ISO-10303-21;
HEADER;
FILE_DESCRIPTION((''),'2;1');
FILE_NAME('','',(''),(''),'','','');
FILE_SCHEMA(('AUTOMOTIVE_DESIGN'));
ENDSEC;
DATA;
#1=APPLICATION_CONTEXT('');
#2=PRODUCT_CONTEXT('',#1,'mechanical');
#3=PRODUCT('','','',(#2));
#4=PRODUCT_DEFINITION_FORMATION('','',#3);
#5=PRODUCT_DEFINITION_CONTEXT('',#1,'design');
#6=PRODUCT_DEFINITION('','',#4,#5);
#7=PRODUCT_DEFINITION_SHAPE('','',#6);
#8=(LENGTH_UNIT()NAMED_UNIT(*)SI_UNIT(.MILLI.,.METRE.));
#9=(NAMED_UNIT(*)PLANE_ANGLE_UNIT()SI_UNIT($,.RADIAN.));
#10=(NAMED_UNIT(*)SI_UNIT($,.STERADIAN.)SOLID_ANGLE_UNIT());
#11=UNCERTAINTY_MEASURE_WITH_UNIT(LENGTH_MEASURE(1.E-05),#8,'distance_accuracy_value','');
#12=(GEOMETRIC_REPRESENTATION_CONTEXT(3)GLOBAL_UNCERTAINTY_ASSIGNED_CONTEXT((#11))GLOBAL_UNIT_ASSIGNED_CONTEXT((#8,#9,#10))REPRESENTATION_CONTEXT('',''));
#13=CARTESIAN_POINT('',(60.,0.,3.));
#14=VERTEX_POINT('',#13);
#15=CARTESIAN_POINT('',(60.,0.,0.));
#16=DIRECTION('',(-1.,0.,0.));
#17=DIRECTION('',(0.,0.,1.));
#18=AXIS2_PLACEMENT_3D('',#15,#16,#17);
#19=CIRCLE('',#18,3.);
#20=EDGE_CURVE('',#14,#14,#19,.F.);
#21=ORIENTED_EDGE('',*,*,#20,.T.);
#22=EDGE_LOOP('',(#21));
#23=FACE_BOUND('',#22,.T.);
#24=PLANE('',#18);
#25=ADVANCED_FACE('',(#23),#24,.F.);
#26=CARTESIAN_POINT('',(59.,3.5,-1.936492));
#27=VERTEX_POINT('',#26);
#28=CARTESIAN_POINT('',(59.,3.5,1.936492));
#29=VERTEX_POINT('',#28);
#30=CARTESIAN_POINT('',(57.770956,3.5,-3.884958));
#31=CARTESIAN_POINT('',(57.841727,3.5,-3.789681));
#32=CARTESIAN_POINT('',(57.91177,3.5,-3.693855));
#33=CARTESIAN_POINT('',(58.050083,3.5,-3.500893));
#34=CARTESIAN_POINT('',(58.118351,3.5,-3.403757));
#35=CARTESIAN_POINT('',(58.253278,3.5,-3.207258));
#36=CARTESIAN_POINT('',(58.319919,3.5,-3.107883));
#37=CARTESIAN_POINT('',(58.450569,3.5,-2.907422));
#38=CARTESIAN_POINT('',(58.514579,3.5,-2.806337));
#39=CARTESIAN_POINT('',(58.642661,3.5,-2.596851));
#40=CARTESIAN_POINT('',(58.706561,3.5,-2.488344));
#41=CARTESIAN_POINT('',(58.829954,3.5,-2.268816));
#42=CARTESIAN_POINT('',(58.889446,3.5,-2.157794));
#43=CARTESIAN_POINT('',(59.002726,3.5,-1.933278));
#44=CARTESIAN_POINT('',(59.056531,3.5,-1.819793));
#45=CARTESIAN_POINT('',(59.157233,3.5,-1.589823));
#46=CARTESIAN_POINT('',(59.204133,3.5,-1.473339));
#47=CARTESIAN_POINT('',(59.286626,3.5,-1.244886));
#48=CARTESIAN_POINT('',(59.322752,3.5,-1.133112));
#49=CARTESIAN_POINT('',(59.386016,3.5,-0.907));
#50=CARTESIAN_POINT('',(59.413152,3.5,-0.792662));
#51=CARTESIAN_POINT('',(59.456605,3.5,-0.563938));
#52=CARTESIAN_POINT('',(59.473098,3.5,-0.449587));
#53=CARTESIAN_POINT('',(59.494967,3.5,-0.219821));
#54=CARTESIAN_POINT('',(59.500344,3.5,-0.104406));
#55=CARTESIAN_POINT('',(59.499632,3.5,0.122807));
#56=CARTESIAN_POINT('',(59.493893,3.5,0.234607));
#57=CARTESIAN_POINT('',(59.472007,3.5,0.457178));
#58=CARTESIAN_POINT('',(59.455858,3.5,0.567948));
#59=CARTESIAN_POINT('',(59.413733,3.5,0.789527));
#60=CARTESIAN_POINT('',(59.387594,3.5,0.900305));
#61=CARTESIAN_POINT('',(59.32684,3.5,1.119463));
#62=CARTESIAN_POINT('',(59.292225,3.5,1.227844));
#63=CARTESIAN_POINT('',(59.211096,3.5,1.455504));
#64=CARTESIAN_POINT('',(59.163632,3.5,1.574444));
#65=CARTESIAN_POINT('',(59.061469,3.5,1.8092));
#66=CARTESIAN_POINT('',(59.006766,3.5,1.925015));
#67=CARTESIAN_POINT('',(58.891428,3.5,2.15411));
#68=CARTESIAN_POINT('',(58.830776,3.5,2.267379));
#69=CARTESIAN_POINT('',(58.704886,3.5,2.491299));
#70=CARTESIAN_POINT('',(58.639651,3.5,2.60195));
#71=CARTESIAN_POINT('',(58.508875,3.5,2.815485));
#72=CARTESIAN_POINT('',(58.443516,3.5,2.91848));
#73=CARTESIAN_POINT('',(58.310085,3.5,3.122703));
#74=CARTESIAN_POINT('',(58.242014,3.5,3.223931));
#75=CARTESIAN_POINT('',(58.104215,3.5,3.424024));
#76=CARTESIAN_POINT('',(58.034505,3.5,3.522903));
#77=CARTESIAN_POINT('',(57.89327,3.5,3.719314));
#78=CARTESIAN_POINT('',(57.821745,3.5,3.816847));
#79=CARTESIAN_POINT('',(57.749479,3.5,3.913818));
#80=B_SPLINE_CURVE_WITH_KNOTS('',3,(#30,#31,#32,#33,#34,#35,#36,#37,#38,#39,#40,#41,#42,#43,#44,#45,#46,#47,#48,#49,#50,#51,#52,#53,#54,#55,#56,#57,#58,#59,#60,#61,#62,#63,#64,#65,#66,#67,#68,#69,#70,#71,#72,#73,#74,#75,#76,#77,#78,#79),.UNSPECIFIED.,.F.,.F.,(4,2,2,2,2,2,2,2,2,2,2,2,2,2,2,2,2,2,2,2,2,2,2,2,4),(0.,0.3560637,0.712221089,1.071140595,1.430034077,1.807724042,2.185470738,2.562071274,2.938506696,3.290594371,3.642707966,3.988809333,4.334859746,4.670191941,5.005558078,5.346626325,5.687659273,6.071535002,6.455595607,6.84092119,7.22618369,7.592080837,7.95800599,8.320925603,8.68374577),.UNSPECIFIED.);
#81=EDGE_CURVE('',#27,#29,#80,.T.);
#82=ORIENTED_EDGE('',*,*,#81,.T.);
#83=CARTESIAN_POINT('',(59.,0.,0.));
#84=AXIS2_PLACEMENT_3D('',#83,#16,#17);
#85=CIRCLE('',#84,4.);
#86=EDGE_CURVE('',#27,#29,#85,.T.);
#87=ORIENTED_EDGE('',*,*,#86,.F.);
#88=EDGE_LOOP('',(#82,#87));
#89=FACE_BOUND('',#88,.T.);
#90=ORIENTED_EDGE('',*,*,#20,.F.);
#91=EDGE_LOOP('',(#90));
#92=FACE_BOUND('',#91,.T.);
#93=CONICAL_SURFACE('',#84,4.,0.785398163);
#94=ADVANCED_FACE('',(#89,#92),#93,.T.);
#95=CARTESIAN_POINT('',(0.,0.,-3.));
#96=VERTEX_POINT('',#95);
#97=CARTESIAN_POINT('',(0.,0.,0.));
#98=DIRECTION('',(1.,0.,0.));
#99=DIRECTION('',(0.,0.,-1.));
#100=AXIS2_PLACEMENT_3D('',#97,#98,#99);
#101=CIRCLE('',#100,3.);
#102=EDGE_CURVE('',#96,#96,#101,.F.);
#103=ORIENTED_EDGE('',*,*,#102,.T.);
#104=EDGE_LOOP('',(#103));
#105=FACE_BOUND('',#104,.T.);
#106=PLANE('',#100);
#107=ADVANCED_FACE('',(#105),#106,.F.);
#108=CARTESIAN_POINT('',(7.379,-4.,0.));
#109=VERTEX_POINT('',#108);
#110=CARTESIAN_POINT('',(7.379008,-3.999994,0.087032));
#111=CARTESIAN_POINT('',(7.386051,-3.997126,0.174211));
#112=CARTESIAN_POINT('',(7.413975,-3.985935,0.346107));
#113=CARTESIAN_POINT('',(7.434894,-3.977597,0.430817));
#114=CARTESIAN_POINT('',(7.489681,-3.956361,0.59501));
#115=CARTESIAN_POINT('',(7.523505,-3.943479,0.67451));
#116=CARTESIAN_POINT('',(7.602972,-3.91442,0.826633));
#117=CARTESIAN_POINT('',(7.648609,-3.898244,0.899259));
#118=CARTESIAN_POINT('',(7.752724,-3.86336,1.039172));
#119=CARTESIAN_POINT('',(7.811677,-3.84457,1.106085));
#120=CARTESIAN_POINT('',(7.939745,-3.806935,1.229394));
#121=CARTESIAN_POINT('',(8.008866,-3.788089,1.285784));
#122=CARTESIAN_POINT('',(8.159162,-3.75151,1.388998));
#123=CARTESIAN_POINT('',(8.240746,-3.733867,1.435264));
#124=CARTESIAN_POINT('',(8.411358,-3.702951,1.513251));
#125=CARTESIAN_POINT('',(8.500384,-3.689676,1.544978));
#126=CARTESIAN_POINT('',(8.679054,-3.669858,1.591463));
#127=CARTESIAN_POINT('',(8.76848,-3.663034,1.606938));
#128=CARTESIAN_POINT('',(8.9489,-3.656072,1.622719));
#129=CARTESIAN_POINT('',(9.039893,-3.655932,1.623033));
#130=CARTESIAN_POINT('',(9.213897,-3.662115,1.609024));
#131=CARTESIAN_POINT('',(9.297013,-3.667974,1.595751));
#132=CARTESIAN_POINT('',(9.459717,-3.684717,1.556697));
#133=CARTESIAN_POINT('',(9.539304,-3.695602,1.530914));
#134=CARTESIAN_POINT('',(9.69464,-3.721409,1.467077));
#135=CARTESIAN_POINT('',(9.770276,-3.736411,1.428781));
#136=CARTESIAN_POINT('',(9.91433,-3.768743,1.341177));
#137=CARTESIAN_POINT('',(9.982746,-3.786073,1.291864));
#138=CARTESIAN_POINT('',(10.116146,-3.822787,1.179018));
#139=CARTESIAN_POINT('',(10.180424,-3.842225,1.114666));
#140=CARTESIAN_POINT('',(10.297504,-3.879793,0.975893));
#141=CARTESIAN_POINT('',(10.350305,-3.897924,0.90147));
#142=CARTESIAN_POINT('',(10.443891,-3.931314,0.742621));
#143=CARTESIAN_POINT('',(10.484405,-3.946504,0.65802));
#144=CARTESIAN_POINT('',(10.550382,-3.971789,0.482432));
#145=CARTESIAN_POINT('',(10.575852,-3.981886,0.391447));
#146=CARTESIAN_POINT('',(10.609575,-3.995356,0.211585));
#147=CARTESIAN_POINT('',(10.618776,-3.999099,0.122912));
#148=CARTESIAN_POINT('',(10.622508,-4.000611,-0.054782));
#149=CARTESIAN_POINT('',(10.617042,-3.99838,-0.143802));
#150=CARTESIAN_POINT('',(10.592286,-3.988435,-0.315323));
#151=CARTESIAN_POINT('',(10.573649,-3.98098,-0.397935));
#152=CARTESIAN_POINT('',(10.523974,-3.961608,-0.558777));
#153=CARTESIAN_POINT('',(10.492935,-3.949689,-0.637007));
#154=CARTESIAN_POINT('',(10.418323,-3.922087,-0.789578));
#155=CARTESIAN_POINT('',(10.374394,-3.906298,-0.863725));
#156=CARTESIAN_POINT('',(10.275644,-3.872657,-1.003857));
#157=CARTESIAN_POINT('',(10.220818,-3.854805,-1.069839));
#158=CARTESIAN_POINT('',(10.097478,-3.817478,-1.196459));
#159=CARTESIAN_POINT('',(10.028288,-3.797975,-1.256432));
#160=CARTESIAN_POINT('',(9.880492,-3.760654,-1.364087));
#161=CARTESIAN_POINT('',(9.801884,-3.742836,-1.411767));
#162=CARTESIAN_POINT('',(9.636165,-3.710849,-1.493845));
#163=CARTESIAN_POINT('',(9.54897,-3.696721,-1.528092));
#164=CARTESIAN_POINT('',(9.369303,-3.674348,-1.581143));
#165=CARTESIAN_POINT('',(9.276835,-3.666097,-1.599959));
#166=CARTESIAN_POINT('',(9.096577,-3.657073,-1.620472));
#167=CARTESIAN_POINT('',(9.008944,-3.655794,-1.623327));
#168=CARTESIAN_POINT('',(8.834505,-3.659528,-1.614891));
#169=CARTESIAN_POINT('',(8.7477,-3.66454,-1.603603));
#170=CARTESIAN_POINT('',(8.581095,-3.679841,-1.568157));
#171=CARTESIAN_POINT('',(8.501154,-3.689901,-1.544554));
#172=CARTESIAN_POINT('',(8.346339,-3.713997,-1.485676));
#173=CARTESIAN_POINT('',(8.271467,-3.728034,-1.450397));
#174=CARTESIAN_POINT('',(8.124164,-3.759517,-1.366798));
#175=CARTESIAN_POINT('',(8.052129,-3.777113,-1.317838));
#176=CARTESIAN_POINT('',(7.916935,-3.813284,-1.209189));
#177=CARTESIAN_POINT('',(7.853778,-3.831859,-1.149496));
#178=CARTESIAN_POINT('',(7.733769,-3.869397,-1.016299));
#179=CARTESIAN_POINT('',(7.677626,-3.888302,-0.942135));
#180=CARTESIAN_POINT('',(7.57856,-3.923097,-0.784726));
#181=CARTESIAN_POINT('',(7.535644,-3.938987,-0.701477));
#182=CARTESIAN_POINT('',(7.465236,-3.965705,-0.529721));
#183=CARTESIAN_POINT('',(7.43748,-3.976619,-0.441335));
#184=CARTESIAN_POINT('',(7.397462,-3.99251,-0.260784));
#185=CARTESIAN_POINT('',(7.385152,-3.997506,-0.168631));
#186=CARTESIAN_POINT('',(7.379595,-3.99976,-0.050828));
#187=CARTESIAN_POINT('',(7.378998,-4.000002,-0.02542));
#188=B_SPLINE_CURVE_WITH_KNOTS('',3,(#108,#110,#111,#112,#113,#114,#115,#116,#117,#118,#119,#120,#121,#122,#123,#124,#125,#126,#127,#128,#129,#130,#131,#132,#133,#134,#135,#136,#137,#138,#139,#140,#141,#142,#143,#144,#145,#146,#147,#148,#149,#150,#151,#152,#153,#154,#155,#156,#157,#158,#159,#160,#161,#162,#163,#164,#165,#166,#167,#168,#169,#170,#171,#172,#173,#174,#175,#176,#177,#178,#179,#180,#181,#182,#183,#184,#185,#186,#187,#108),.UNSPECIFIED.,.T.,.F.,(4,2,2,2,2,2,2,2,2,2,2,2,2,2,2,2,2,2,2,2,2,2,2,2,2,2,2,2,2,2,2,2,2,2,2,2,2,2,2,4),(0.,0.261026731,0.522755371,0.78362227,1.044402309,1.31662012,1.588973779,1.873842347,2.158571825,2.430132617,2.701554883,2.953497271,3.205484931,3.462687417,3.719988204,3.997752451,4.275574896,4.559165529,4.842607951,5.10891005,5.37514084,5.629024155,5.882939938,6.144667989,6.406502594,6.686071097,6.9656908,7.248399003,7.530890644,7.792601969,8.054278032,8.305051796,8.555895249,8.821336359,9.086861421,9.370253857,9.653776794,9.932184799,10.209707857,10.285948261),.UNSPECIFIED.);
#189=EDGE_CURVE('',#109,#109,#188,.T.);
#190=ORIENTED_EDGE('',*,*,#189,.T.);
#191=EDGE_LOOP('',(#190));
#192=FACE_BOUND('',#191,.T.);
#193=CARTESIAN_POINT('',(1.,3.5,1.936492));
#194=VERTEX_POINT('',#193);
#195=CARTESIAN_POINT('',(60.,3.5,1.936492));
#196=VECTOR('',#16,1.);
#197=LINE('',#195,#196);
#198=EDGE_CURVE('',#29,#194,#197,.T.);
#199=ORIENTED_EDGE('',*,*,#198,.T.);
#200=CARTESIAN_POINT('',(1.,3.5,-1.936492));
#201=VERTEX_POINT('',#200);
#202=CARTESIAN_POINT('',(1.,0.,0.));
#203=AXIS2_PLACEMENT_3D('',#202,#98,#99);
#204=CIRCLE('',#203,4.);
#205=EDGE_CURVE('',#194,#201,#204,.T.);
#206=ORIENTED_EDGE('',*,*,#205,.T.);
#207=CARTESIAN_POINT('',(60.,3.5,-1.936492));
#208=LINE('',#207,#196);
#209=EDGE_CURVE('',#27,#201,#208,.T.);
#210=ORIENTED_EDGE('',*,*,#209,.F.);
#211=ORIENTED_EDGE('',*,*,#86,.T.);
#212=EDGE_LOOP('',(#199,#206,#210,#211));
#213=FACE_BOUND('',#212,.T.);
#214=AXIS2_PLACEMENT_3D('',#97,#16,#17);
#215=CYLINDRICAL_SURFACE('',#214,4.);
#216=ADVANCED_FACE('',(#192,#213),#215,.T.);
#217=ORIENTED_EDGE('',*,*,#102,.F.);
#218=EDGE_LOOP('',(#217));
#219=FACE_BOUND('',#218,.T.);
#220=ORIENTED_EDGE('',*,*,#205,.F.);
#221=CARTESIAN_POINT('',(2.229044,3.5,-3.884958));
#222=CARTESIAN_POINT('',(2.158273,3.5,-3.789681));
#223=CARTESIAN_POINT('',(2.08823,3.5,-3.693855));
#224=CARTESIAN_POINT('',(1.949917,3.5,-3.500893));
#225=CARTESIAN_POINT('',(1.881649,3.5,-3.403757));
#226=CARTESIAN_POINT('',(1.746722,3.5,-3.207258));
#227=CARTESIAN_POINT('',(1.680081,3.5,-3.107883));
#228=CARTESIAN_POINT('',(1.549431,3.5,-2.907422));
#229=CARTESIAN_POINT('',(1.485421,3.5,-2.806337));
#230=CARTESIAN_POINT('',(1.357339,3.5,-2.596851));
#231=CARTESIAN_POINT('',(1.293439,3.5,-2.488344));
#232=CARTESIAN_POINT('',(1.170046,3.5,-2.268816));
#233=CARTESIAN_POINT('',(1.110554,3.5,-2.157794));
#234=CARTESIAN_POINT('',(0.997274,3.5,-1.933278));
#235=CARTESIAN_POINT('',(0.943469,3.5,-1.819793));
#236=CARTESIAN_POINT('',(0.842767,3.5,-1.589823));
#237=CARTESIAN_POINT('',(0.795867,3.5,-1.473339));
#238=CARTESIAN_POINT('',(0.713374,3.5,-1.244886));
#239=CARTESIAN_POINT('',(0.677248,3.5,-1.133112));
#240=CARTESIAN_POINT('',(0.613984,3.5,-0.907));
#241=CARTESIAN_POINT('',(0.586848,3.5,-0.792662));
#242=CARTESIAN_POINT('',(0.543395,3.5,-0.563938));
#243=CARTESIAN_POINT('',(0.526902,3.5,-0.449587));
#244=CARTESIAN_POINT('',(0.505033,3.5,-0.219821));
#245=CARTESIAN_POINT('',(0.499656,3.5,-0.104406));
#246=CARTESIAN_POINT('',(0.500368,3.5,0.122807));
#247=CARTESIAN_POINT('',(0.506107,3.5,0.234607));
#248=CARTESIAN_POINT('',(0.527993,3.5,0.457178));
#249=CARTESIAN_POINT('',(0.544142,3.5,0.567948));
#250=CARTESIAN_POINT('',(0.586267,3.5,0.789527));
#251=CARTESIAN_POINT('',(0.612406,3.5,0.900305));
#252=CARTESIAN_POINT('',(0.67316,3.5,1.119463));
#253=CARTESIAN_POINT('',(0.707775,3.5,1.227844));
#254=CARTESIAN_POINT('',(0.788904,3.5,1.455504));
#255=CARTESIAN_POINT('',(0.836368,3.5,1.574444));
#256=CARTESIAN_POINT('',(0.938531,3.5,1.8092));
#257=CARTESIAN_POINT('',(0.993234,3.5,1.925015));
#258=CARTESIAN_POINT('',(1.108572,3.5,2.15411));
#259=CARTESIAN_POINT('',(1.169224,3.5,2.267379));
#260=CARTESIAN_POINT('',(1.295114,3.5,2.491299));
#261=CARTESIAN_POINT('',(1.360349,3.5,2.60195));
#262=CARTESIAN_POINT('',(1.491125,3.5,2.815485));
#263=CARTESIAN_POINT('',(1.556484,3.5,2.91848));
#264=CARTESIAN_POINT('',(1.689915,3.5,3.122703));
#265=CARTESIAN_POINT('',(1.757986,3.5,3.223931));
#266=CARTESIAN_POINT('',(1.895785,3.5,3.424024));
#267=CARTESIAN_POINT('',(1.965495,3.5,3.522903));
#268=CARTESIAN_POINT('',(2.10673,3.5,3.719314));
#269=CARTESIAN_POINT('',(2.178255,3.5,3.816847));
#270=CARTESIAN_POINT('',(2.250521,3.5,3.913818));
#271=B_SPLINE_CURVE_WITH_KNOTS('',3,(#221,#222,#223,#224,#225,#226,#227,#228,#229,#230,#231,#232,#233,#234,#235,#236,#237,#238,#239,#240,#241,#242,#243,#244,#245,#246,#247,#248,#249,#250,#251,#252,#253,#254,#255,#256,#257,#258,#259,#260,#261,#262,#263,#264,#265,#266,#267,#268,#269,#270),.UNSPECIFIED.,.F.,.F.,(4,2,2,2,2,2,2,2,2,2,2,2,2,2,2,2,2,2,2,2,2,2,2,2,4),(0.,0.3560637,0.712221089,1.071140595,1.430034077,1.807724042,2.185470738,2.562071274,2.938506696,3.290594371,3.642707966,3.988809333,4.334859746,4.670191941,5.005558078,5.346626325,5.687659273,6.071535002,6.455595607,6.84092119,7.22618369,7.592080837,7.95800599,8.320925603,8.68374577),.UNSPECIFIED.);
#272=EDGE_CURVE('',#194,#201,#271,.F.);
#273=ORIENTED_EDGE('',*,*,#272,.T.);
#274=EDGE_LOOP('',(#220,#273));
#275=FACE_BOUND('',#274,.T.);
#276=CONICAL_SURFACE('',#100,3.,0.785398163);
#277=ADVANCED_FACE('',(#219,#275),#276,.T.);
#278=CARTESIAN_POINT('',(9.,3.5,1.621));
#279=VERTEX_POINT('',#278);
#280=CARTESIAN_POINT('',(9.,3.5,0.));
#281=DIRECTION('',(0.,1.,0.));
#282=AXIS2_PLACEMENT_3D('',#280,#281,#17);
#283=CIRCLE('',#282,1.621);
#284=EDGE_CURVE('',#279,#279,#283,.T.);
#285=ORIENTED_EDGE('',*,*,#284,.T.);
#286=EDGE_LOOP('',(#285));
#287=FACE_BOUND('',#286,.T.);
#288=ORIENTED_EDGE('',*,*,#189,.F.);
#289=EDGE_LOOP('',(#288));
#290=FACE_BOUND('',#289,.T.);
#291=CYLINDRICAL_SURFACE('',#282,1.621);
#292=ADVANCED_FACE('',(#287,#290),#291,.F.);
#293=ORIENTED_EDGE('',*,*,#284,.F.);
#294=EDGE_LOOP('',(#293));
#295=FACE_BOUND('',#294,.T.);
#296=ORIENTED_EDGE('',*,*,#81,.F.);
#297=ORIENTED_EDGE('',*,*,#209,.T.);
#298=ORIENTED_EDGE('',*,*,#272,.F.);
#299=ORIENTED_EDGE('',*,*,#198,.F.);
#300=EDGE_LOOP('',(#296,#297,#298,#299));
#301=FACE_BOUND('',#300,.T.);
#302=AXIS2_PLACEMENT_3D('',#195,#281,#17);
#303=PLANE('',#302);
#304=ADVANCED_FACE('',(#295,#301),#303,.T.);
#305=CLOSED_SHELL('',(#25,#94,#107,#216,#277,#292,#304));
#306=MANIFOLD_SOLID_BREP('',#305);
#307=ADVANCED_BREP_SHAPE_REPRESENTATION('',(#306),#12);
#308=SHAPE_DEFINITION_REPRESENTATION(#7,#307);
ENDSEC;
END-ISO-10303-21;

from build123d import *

# Parameters (mm, degrees)
SKETCH1_W          = 60
SKETCH1_H          = 4
CHAMFER1_SIZE      = 1
CUT_EXTRUDE1_DEPTH = 61.266076693
TAP1_D             = 3.242


with BuildPart() as part:
    # Sketch1 → Revolve1 (revolve)
    with BuildSketch(Plane.XY, mode=Mode.PRIVATE) as revolve1_sk:
        with Locations((30, 2)):
            Rectangle(SKETCH1_W, SKETCH1_H)
    revolve(revolve1_sk.sketch.rotate(Axis((0, 0, 0), (1, 0, 0)), 90), axis=Axis((0, 0, 0), (1, 0, 0)))

    # Chamfer1
    chamfer1_edges = [part.edges().sort_by_distance(p)[0] for p in [
        (60, 0, -4),
        (0, 0, -4),
    ]]
    chamfer(chamfer1_edges, length=CHAMFER1_SIZE)

    # Sketch2 → Cut-Extrude1 (cut, through all)
    with BuildSketch(Plane(origin=(0, 0, 0), x_dir=(0, 0, -1), z_dir=(1, 0, 0))):
        with BuildLine():
            Line((-1.936491673, 3.5), (1.936491673, 3.5))
            ThreePointArc((1.936491673, 3.5), (0, 4), (-1.936491673, 3.5))
        make_face()
    extrude(amount=CUT_EXTRUDE1_DEPTH, mode=Mode.SUBTRACT)

    # Tap1 (through all)
    with Locations(Plane(origin=(0, 3.5, 0), x_dir=(1, 0, 0), z_dir=(0, 1, 0))):
        with Locations((9, 0)):
            Hole(TAP1_D / 2)


solid = part.part
